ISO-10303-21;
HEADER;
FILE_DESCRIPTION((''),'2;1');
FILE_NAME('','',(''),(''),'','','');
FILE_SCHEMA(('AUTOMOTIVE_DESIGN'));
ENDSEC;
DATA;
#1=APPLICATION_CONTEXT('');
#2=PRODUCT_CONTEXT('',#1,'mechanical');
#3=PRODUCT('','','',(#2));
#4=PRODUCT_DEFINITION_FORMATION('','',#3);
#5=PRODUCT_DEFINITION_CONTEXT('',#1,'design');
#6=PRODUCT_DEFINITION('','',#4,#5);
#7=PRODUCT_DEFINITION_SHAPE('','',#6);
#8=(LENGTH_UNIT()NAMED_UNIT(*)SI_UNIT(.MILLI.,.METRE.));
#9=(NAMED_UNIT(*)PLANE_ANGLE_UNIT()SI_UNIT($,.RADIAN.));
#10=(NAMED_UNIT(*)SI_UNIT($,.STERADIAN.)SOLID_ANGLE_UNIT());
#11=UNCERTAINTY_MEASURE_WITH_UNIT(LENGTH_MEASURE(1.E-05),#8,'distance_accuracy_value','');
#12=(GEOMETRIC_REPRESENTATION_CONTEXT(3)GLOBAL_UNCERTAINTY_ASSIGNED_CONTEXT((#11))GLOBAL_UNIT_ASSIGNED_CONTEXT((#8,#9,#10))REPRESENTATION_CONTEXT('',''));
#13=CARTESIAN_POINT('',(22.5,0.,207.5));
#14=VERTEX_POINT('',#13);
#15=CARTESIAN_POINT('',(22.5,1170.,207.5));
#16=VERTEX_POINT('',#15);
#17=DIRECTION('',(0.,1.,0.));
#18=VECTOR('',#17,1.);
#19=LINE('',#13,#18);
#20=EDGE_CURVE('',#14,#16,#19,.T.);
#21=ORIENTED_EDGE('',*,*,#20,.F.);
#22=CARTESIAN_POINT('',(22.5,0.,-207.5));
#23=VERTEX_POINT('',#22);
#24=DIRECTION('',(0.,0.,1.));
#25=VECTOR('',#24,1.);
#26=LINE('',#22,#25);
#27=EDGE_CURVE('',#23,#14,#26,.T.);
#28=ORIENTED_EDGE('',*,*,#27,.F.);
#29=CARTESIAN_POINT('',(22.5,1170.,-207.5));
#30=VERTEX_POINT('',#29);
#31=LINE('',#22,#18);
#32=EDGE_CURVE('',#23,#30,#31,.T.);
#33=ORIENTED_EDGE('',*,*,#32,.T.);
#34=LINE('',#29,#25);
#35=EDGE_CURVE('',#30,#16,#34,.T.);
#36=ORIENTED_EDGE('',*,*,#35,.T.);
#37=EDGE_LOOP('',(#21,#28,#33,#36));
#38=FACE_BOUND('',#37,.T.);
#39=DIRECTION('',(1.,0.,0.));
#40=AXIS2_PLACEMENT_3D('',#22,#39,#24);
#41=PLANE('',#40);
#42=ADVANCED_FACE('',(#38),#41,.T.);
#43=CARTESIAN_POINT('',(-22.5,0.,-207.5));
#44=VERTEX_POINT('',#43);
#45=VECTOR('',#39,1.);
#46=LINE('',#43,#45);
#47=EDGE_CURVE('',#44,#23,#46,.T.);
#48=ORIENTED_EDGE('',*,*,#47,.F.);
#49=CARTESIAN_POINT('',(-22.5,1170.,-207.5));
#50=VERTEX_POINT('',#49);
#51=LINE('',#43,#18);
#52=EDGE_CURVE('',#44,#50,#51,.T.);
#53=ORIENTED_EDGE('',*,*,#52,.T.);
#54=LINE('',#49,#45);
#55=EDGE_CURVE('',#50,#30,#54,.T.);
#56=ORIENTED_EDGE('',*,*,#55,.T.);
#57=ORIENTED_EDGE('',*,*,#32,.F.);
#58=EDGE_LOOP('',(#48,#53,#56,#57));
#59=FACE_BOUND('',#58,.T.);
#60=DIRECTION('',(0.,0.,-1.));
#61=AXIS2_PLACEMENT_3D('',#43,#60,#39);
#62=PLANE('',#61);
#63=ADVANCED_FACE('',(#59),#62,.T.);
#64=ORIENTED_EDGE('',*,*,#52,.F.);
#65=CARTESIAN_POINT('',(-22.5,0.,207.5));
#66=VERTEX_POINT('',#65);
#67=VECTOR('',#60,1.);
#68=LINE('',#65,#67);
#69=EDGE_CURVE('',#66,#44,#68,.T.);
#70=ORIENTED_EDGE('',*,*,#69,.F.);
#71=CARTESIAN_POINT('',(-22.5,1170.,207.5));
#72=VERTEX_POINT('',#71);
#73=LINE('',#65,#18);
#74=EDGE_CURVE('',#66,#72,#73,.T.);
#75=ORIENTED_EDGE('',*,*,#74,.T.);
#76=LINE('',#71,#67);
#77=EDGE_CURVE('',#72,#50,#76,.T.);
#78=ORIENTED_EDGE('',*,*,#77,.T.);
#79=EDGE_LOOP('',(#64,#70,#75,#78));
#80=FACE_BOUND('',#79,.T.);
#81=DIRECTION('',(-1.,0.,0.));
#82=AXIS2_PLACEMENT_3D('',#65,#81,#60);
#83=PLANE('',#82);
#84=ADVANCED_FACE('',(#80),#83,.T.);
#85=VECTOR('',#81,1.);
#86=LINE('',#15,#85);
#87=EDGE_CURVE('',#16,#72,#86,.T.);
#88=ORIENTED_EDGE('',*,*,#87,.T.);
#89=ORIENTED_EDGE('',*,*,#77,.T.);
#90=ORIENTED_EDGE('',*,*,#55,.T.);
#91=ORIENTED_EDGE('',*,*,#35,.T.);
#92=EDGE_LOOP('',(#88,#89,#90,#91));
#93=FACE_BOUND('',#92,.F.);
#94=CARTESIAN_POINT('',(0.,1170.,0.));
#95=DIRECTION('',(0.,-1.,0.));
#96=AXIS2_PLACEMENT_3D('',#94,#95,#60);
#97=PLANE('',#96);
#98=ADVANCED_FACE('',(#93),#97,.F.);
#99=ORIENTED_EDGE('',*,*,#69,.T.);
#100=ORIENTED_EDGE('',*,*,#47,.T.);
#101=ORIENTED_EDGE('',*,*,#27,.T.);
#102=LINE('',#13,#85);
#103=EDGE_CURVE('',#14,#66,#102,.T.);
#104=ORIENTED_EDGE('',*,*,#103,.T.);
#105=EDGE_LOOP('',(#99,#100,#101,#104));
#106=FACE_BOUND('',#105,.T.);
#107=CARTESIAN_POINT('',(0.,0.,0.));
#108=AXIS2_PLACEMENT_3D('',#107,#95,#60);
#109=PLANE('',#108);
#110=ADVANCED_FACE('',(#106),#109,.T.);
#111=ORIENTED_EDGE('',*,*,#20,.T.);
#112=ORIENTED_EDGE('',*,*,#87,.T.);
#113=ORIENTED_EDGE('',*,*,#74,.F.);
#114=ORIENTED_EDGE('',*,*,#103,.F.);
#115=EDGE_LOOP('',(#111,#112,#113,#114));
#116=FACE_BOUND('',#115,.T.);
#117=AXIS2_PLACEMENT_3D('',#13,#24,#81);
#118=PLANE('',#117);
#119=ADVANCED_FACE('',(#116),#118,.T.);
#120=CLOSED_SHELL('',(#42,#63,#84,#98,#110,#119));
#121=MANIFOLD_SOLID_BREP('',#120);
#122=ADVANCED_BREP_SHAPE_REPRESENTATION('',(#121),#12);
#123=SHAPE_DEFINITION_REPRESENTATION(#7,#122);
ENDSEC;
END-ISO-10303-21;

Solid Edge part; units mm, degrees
sketch "Sketch1" plane through (0, 0, 0) normal (0, -1, 0) x (1, 0, 0)
  line L0 (-22.5, -207.5) -> (22.5, -207.5)
  line L1 (22.5, -207.5) -> (22.5, 207.5)
  line L2 (22.5, 207.5) -> (-22.5, 207.5)
  line L3 (-22.5, 207.5) -> (-22.5, -207.5)
extrude "Protrusion1" add sketch "Sketch1" against normal blind 1170
